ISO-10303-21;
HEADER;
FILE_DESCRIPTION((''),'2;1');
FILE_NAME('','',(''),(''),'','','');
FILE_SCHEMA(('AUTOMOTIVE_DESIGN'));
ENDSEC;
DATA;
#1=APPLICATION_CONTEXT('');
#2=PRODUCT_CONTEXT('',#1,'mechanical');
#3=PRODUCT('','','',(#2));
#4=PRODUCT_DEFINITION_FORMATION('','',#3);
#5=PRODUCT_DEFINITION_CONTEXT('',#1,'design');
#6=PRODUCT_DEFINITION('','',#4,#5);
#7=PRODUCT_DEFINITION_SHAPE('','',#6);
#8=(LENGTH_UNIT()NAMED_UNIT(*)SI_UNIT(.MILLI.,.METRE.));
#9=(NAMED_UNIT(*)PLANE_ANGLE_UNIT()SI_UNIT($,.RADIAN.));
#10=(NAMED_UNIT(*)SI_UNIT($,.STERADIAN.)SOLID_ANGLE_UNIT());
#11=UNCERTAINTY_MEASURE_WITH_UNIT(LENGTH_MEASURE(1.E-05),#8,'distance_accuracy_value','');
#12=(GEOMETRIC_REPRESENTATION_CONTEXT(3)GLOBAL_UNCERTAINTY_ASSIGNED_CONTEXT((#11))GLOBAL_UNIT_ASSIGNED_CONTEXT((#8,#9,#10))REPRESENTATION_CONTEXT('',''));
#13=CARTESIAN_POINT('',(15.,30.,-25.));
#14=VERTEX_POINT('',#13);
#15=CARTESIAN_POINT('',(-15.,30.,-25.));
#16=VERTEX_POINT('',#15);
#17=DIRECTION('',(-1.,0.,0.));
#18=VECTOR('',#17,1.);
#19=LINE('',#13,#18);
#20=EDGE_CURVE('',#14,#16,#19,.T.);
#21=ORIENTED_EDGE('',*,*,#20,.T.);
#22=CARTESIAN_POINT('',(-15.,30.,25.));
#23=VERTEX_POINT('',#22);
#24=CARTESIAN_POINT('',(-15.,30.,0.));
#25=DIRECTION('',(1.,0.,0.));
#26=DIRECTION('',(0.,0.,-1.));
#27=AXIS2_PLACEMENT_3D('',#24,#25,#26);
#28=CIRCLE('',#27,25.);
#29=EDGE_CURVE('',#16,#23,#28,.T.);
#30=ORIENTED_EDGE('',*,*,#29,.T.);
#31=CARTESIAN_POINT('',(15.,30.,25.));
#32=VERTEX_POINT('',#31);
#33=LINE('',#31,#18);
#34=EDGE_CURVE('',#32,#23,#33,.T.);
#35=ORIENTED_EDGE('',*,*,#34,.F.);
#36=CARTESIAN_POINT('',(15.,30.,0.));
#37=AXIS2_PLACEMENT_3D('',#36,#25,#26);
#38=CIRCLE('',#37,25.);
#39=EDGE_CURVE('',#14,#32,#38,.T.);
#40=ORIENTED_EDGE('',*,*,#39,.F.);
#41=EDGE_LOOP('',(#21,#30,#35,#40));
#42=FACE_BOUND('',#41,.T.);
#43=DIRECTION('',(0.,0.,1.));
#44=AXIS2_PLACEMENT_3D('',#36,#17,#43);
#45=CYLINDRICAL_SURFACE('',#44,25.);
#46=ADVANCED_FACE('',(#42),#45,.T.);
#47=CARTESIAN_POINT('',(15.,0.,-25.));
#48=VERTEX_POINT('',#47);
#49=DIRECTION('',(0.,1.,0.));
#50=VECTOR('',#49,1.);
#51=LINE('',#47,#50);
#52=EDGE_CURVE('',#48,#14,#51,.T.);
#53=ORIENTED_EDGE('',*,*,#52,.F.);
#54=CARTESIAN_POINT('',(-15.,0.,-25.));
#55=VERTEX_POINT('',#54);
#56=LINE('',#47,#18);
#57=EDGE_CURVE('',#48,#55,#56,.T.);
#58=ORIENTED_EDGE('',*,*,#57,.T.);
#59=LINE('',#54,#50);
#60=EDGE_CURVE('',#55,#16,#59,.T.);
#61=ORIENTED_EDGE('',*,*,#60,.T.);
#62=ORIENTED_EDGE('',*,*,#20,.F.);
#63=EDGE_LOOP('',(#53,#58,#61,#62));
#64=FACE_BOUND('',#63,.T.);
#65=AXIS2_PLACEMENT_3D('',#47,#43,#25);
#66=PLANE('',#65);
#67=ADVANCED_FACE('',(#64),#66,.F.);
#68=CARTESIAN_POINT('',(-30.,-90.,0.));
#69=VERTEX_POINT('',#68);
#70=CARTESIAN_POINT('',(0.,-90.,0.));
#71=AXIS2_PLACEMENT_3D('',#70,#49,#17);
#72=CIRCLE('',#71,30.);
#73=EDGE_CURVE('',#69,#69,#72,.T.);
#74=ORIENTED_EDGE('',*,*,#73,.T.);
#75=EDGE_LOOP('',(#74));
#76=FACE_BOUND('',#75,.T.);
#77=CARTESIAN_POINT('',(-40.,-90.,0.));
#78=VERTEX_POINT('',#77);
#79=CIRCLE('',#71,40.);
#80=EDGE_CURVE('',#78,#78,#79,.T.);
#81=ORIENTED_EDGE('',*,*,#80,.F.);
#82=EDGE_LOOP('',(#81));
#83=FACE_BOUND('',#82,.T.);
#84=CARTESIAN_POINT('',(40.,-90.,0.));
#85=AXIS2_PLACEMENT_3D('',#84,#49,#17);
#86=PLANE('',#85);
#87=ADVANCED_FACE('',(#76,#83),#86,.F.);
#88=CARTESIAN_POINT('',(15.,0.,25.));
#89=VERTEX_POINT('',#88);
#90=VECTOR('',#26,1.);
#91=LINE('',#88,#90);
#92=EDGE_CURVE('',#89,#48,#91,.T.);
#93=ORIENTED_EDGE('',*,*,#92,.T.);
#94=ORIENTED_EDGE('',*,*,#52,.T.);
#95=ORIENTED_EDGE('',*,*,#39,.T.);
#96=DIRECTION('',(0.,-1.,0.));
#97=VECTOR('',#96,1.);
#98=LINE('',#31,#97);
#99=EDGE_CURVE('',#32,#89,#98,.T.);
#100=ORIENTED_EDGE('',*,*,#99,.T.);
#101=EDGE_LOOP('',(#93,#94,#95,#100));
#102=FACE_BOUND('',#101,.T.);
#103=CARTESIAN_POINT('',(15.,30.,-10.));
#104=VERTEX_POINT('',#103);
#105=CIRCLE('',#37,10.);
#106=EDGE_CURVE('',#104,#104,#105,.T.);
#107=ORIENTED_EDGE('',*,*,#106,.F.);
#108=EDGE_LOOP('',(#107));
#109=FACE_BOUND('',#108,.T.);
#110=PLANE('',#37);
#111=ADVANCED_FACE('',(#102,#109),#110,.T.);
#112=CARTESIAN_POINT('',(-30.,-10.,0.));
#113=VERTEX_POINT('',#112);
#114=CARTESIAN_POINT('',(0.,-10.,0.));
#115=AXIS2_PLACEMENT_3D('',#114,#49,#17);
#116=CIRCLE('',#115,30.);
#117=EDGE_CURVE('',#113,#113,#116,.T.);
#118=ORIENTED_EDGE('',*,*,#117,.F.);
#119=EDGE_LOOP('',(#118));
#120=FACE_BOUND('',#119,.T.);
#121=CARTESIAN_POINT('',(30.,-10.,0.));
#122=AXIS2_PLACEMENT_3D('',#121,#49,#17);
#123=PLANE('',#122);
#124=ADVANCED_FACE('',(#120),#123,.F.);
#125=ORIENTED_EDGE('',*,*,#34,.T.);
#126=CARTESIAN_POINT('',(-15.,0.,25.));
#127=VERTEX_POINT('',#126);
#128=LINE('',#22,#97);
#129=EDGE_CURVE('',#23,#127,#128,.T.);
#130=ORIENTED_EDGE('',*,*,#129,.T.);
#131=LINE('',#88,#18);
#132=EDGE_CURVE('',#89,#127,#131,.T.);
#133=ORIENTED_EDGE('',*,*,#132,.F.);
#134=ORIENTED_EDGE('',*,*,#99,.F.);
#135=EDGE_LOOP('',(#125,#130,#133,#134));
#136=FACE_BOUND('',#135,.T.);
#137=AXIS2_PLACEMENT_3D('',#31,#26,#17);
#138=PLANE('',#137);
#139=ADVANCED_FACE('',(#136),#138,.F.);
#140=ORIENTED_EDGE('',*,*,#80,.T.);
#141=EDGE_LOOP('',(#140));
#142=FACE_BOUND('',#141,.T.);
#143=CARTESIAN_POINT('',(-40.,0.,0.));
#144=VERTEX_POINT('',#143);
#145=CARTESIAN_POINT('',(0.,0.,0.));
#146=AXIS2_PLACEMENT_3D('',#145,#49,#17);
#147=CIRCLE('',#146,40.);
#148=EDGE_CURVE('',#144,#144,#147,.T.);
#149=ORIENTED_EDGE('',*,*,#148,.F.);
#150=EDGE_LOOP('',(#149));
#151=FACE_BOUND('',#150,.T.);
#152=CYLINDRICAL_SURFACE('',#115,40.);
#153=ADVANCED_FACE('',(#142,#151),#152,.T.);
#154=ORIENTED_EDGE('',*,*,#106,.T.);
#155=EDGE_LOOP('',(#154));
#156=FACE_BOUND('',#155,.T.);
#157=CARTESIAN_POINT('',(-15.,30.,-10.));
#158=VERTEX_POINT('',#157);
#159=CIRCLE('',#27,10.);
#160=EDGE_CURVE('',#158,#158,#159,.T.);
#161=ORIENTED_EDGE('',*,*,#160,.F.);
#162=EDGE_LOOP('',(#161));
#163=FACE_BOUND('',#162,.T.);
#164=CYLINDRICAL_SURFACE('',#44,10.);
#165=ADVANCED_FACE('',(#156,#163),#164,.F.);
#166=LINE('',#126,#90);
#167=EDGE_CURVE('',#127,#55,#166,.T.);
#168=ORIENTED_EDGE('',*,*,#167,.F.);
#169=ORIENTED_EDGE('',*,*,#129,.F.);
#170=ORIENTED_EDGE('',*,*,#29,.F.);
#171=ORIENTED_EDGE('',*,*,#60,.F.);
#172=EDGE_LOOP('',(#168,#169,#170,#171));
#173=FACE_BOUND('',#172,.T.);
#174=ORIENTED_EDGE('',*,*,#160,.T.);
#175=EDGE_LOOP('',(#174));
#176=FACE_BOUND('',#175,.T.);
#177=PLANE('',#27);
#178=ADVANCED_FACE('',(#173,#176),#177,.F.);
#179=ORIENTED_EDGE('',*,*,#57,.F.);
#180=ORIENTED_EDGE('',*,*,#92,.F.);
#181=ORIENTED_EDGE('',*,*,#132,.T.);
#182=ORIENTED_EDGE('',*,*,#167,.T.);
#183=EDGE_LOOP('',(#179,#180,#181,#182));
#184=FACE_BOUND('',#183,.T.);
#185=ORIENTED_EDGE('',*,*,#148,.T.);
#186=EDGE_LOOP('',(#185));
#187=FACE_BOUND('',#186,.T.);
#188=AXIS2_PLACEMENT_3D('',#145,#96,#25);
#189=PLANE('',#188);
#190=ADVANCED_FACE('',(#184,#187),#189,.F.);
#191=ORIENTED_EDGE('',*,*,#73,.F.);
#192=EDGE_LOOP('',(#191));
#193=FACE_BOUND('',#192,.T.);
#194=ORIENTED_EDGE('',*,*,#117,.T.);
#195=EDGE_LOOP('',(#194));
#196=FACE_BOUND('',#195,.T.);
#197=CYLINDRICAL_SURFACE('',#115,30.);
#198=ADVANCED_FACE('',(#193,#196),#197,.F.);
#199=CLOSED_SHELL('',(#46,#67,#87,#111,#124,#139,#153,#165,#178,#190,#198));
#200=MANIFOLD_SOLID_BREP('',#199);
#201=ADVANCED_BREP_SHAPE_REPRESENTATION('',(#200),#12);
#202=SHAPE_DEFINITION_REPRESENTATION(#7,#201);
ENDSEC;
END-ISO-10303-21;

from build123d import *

# Parameters (mm, degrees)
SKETCH2_R           = 10
BOSS_EXTRUDE1_DEPTH = 15


with BuildPart() as part:
    # Sketch1 → Revolve1 (revolve)
    with BuildSketch(Plane.XY, mode=Mode.PRIVATE) as revolve1_sk:
        Polygon((0, 0), (40, 0), (40, -90), (30, -90), (30, -10), (0, -10), align=None)
    revolve(revolve1_sk.sketch.rotate(Axis((0, -10, 0), (0, -1, 0)), 180), axis=Axis((0, -10, 0), (0, -1, 0)))

    # Sketch2 → Boss-Extrude1 (add, symmetric)
    with BuildSketch(Plane(origin=(0, 0, 0), x_dir=(0, 0, -1), z_dir=(1, 0, 0))):
        with BuildLine():
            Line((-25, 30), (-25, 0))
            Line((-25, 0), (25, 0))
            Line((25, 0), (25, 30))
            ThreePointArc((25, 30), (0, 55), (-25, 30))
        make_face()
        with Locations((0, 30)):
            Circle(SKETCH2_R, mode=Mode.SUBTRACT)
    extrude(amount=BOSS_EXTRUDE1_DEPTH, both=True)


solid = part.part
